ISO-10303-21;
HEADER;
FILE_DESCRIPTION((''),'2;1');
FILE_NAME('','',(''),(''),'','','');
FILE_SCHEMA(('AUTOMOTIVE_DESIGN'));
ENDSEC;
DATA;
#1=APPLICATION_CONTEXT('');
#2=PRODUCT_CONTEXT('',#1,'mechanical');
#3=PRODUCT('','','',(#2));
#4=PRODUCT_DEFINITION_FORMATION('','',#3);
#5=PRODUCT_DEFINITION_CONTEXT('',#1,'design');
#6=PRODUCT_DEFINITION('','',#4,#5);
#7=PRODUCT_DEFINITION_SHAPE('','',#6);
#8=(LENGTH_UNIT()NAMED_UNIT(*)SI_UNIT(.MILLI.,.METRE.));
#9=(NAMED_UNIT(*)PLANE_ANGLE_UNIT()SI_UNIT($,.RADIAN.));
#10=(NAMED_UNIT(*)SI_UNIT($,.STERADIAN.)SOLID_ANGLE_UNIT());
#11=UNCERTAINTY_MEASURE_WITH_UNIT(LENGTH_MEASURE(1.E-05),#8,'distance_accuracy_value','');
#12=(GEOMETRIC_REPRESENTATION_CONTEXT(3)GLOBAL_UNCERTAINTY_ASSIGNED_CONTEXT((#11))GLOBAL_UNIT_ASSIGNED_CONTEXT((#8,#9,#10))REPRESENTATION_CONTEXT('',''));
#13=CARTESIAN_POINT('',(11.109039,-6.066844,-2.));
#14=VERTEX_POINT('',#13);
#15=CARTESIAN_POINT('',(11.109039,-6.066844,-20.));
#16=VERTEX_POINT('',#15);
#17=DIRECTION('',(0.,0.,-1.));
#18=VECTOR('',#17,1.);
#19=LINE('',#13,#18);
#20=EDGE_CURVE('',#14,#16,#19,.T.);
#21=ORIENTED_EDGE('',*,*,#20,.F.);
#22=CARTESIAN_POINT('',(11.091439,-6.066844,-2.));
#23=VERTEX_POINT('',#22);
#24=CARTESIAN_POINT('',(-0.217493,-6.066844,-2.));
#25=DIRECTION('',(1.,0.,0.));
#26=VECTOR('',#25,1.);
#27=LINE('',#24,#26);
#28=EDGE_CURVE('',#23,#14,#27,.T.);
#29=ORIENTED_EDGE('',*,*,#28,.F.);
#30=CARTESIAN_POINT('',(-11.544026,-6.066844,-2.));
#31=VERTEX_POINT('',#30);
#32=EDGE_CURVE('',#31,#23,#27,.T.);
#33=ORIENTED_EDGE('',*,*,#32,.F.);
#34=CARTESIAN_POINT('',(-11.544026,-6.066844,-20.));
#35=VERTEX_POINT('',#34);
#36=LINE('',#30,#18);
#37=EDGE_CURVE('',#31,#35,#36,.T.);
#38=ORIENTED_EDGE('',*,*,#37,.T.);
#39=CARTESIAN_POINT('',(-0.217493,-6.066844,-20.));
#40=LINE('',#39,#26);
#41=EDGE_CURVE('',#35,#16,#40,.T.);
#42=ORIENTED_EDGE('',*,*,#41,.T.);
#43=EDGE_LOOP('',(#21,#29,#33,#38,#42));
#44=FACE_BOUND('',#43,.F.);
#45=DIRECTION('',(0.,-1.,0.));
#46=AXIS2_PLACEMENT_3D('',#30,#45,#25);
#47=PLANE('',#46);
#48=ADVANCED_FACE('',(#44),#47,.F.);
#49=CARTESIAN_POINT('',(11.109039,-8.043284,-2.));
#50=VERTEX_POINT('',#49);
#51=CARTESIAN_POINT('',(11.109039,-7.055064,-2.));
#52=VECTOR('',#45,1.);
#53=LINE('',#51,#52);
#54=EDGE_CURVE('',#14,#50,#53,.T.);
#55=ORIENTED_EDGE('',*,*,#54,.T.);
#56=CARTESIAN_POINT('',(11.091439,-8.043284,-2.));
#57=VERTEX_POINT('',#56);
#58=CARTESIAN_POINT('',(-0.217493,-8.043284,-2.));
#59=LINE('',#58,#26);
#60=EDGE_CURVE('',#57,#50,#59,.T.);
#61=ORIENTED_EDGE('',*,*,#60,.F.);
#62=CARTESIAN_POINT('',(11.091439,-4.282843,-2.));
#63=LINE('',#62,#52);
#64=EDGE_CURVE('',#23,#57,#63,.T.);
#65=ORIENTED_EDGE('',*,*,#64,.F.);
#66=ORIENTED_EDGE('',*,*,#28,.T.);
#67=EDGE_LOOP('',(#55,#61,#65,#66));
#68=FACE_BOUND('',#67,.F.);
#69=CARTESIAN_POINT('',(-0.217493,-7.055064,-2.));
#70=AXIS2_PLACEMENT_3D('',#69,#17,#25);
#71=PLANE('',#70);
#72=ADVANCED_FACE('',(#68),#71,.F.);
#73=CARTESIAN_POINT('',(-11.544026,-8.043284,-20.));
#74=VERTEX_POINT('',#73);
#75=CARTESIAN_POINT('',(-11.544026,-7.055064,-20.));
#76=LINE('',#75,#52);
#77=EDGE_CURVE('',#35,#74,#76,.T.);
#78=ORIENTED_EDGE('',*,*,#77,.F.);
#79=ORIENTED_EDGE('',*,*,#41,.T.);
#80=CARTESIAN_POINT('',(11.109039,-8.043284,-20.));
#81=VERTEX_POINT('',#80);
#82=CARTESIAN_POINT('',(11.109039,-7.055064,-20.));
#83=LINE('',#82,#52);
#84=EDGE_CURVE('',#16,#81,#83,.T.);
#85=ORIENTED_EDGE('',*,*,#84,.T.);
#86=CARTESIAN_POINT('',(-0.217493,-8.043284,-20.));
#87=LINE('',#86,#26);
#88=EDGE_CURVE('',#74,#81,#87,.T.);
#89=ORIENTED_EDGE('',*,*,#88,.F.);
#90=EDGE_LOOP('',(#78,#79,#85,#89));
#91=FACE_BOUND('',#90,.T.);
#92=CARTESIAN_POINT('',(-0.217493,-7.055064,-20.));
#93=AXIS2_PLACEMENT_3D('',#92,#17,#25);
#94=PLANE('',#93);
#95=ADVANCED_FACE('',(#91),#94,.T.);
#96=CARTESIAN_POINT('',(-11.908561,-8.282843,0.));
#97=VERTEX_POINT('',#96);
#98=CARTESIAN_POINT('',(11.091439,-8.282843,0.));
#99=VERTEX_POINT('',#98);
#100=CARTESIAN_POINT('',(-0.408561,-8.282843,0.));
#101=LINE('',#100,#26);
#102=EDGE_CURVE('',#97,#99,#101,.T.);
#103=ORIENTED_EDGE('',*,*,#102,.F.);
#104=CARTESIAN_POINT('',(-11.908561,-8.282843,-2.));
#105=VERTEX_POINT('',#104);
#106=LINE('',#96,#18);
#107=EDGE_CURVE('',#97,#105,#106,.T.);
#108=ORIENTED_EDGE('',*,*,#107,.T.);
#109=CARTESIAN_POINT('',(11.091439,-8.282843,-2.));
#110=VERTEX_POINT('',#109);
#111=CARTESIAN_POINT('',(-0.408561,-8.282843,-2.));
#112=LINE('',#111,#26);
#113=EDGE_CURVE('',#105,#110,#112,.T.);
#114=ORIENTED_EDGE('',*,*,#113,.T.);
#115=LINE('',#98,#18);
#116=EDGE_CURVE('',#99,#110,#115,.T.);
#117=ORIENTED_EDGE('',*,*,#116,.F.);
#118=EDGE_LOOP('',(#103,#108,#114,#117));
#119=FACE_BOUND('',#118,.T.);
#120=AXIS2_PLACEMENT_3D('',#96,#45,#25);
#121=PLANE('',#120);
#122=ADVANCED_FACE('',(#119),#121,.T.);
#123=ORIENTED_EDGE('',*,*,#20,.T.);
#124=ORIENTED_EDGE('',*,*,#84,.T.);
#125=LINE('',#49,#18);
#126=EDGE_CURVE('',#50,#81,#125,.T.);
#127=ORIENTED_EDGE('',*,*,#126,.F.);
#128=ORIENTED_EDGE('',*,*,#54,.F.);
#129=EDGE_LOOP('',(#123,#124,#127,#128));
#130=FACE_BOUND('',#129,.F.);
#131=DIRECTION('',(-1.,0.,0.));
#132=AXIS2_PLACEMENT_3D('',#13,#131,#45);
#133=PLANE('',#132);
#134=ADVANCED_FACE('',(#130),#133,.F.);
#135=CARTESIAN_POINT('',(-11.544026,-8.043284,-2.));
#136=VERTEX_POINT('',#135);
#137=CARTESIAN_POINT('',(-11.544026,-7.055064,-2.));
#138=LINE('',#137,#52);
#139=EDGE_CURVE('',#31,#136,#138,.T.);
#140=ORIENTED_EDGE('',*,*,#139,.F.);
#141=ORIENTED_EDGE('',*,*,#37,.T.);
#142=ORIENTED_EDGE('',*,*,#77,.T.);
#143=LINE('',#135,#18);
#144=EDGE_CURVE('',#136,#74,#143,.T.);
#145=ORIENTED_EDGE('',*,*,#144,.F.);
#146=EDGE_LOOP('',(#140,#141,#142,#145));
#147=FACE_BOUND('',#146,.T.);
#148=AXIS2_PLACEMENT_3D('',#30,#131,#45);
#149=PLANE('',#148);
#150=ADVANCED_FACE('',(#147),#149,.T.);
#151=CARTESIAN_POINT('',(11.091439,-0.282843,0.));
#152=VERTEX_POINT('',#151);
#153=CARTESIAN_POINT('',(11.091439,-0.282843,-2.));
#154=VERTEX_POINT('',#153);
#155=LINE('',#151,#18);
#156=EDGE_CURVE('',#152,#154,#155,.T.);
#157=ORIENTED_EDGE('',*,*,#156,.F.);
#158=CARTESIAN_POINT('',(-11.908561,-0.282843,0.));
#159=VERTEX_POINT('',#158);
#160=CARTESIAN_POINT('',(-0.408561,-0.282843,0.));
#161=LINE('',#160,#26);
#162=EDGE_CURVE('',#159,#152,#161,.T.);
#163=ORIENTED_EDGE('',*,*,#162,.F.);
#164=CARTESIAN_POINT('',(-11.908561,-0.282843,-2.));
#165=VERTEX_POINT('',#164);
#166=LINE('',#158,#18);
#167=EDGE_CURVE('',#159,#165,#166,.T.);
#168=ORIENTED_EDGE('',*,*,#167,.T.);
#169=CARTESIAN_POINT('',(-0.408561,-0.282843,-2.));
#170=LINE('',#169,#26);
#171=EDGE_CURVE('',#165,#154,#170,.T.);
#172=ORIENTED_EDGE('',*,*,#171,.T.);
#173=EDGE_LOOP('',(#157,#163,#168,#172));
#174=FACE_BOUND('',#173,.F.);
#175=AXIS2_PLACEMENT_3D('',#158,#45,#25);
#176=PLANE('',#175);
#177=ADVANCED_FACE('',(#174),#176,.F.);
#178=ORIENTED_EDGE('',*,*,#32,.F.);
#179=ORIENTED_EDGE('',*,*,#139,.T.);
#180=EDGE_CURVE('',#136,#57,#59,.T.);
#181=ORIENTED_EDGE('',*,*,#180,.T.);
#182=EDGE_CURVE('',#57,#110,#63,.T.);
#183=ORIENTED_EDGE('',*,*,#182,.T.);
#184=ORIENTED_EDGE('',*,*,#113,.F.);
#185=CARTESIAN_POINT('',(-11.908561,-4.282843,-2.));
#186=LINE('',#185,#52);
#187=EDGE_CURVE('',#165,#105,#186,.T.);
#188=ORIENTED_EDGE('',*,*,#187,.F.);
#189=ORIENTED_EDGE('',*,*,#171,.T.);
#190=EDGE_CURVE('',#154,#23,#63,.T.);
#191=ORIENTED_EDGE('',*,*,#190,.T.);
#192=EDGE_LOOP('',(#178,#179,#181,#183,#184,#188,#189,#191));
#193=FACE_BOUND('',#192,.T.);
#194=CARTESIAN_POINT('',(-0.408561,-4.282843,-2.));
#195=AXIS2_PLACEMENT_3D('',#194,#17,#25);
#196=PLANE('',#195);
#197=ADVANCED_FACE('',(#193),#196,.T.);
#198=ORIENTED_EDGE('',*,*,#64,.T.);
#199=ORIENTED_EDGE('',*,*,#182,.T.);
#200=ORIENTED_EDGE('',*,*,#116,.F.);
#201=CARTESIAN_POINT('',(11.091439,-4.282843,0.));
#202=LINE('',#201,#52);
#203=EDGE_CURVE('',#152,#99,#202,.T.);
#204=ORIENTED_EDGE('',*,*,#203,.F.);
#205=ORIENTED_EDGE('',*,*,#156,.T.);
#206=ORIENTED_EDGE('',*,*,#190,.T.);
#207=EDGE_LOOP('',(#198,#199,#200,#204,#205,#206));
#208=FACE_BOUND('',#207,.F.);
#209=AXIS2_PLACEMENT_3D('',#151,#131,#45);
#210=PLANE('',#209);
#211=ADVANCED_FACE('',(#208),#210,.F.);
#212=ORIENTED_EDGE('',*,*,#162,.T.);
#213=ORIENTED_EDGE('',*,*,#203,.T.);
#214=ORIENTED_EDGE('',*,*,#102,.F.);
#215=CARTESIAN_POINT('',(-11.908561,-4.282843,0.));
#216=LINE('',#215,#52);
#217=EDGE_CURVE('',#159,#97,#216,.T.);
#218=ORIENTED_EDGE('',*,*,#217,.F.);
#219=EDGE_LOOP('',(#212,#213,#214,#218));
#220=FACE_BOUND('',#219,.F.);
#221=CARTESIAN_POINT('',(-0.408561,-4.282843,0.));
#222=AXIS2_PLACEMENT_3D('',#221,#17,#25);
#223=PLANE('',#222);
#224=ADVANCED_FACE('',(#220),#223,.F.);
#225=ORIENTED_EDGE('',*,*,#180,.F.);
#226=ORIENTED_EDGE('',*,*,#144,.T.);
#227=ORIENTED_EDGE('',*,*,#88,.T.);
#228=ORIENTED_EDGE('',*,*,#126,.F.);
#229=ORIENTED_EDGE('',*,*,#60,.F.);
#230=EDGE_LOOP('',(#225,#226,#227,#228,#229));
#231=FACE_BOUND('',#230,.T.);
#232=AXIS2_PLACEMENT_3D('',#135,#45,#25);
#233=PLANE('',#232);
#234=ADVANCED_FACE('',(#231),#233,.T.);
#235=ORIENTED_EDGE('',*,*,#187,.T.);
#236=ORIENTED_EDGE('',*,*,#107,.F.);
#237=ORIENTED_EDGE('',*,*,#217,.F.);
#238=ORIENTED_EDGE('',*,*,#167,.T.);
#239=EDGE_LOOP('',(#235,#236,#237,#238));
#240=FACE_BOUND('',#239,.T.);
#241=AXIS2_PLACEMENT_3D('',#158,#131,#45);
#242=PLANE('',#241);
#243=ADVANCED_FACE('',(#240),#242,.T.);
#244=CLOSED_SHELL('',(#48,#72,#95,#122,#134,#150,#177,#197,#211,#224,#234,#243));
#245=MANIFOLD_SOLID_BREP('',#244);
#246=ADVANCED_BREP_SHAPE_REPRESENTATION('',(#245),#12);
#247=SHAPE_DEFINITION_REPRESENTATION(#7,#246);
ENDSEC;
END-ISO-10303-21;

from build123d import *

# Parameters (mm, degrees)
SKETCH_W     = 23
SKETCH_H     = 8
PAD_DEPTH    = 2
SKETCH001_W  = 22.653065
SKETCH001_H  = 1.97644
PAD001_DEPTH = 18


with BuildPart() as part:
    # Sketch → Pad (new body)
    with BuildSketch(Plane(origin=(0, 0, 0), x_dir=(1, 0, 0), z_dir=(0, 0, -1))):
        with Locations((-0.408561, 4.282843)):
            Rectangle(SKETCH_W, SKETCH_H)
    extrude(amount=PAD_DEPTH)

    # Sketch001 → Pad001 (new body)
    with BuildSketch(Plane(origin=(0, 0, -2), x_dir=(1, 0, 0), z_dir=(0, 0, -1))):
        with Locations((-0.217493, 7.055064)):
            Rectangle(SKETCH001_W, SKETCH001_H)
    extrude(amount=PAD001_DEPTH)


solid = part.part
